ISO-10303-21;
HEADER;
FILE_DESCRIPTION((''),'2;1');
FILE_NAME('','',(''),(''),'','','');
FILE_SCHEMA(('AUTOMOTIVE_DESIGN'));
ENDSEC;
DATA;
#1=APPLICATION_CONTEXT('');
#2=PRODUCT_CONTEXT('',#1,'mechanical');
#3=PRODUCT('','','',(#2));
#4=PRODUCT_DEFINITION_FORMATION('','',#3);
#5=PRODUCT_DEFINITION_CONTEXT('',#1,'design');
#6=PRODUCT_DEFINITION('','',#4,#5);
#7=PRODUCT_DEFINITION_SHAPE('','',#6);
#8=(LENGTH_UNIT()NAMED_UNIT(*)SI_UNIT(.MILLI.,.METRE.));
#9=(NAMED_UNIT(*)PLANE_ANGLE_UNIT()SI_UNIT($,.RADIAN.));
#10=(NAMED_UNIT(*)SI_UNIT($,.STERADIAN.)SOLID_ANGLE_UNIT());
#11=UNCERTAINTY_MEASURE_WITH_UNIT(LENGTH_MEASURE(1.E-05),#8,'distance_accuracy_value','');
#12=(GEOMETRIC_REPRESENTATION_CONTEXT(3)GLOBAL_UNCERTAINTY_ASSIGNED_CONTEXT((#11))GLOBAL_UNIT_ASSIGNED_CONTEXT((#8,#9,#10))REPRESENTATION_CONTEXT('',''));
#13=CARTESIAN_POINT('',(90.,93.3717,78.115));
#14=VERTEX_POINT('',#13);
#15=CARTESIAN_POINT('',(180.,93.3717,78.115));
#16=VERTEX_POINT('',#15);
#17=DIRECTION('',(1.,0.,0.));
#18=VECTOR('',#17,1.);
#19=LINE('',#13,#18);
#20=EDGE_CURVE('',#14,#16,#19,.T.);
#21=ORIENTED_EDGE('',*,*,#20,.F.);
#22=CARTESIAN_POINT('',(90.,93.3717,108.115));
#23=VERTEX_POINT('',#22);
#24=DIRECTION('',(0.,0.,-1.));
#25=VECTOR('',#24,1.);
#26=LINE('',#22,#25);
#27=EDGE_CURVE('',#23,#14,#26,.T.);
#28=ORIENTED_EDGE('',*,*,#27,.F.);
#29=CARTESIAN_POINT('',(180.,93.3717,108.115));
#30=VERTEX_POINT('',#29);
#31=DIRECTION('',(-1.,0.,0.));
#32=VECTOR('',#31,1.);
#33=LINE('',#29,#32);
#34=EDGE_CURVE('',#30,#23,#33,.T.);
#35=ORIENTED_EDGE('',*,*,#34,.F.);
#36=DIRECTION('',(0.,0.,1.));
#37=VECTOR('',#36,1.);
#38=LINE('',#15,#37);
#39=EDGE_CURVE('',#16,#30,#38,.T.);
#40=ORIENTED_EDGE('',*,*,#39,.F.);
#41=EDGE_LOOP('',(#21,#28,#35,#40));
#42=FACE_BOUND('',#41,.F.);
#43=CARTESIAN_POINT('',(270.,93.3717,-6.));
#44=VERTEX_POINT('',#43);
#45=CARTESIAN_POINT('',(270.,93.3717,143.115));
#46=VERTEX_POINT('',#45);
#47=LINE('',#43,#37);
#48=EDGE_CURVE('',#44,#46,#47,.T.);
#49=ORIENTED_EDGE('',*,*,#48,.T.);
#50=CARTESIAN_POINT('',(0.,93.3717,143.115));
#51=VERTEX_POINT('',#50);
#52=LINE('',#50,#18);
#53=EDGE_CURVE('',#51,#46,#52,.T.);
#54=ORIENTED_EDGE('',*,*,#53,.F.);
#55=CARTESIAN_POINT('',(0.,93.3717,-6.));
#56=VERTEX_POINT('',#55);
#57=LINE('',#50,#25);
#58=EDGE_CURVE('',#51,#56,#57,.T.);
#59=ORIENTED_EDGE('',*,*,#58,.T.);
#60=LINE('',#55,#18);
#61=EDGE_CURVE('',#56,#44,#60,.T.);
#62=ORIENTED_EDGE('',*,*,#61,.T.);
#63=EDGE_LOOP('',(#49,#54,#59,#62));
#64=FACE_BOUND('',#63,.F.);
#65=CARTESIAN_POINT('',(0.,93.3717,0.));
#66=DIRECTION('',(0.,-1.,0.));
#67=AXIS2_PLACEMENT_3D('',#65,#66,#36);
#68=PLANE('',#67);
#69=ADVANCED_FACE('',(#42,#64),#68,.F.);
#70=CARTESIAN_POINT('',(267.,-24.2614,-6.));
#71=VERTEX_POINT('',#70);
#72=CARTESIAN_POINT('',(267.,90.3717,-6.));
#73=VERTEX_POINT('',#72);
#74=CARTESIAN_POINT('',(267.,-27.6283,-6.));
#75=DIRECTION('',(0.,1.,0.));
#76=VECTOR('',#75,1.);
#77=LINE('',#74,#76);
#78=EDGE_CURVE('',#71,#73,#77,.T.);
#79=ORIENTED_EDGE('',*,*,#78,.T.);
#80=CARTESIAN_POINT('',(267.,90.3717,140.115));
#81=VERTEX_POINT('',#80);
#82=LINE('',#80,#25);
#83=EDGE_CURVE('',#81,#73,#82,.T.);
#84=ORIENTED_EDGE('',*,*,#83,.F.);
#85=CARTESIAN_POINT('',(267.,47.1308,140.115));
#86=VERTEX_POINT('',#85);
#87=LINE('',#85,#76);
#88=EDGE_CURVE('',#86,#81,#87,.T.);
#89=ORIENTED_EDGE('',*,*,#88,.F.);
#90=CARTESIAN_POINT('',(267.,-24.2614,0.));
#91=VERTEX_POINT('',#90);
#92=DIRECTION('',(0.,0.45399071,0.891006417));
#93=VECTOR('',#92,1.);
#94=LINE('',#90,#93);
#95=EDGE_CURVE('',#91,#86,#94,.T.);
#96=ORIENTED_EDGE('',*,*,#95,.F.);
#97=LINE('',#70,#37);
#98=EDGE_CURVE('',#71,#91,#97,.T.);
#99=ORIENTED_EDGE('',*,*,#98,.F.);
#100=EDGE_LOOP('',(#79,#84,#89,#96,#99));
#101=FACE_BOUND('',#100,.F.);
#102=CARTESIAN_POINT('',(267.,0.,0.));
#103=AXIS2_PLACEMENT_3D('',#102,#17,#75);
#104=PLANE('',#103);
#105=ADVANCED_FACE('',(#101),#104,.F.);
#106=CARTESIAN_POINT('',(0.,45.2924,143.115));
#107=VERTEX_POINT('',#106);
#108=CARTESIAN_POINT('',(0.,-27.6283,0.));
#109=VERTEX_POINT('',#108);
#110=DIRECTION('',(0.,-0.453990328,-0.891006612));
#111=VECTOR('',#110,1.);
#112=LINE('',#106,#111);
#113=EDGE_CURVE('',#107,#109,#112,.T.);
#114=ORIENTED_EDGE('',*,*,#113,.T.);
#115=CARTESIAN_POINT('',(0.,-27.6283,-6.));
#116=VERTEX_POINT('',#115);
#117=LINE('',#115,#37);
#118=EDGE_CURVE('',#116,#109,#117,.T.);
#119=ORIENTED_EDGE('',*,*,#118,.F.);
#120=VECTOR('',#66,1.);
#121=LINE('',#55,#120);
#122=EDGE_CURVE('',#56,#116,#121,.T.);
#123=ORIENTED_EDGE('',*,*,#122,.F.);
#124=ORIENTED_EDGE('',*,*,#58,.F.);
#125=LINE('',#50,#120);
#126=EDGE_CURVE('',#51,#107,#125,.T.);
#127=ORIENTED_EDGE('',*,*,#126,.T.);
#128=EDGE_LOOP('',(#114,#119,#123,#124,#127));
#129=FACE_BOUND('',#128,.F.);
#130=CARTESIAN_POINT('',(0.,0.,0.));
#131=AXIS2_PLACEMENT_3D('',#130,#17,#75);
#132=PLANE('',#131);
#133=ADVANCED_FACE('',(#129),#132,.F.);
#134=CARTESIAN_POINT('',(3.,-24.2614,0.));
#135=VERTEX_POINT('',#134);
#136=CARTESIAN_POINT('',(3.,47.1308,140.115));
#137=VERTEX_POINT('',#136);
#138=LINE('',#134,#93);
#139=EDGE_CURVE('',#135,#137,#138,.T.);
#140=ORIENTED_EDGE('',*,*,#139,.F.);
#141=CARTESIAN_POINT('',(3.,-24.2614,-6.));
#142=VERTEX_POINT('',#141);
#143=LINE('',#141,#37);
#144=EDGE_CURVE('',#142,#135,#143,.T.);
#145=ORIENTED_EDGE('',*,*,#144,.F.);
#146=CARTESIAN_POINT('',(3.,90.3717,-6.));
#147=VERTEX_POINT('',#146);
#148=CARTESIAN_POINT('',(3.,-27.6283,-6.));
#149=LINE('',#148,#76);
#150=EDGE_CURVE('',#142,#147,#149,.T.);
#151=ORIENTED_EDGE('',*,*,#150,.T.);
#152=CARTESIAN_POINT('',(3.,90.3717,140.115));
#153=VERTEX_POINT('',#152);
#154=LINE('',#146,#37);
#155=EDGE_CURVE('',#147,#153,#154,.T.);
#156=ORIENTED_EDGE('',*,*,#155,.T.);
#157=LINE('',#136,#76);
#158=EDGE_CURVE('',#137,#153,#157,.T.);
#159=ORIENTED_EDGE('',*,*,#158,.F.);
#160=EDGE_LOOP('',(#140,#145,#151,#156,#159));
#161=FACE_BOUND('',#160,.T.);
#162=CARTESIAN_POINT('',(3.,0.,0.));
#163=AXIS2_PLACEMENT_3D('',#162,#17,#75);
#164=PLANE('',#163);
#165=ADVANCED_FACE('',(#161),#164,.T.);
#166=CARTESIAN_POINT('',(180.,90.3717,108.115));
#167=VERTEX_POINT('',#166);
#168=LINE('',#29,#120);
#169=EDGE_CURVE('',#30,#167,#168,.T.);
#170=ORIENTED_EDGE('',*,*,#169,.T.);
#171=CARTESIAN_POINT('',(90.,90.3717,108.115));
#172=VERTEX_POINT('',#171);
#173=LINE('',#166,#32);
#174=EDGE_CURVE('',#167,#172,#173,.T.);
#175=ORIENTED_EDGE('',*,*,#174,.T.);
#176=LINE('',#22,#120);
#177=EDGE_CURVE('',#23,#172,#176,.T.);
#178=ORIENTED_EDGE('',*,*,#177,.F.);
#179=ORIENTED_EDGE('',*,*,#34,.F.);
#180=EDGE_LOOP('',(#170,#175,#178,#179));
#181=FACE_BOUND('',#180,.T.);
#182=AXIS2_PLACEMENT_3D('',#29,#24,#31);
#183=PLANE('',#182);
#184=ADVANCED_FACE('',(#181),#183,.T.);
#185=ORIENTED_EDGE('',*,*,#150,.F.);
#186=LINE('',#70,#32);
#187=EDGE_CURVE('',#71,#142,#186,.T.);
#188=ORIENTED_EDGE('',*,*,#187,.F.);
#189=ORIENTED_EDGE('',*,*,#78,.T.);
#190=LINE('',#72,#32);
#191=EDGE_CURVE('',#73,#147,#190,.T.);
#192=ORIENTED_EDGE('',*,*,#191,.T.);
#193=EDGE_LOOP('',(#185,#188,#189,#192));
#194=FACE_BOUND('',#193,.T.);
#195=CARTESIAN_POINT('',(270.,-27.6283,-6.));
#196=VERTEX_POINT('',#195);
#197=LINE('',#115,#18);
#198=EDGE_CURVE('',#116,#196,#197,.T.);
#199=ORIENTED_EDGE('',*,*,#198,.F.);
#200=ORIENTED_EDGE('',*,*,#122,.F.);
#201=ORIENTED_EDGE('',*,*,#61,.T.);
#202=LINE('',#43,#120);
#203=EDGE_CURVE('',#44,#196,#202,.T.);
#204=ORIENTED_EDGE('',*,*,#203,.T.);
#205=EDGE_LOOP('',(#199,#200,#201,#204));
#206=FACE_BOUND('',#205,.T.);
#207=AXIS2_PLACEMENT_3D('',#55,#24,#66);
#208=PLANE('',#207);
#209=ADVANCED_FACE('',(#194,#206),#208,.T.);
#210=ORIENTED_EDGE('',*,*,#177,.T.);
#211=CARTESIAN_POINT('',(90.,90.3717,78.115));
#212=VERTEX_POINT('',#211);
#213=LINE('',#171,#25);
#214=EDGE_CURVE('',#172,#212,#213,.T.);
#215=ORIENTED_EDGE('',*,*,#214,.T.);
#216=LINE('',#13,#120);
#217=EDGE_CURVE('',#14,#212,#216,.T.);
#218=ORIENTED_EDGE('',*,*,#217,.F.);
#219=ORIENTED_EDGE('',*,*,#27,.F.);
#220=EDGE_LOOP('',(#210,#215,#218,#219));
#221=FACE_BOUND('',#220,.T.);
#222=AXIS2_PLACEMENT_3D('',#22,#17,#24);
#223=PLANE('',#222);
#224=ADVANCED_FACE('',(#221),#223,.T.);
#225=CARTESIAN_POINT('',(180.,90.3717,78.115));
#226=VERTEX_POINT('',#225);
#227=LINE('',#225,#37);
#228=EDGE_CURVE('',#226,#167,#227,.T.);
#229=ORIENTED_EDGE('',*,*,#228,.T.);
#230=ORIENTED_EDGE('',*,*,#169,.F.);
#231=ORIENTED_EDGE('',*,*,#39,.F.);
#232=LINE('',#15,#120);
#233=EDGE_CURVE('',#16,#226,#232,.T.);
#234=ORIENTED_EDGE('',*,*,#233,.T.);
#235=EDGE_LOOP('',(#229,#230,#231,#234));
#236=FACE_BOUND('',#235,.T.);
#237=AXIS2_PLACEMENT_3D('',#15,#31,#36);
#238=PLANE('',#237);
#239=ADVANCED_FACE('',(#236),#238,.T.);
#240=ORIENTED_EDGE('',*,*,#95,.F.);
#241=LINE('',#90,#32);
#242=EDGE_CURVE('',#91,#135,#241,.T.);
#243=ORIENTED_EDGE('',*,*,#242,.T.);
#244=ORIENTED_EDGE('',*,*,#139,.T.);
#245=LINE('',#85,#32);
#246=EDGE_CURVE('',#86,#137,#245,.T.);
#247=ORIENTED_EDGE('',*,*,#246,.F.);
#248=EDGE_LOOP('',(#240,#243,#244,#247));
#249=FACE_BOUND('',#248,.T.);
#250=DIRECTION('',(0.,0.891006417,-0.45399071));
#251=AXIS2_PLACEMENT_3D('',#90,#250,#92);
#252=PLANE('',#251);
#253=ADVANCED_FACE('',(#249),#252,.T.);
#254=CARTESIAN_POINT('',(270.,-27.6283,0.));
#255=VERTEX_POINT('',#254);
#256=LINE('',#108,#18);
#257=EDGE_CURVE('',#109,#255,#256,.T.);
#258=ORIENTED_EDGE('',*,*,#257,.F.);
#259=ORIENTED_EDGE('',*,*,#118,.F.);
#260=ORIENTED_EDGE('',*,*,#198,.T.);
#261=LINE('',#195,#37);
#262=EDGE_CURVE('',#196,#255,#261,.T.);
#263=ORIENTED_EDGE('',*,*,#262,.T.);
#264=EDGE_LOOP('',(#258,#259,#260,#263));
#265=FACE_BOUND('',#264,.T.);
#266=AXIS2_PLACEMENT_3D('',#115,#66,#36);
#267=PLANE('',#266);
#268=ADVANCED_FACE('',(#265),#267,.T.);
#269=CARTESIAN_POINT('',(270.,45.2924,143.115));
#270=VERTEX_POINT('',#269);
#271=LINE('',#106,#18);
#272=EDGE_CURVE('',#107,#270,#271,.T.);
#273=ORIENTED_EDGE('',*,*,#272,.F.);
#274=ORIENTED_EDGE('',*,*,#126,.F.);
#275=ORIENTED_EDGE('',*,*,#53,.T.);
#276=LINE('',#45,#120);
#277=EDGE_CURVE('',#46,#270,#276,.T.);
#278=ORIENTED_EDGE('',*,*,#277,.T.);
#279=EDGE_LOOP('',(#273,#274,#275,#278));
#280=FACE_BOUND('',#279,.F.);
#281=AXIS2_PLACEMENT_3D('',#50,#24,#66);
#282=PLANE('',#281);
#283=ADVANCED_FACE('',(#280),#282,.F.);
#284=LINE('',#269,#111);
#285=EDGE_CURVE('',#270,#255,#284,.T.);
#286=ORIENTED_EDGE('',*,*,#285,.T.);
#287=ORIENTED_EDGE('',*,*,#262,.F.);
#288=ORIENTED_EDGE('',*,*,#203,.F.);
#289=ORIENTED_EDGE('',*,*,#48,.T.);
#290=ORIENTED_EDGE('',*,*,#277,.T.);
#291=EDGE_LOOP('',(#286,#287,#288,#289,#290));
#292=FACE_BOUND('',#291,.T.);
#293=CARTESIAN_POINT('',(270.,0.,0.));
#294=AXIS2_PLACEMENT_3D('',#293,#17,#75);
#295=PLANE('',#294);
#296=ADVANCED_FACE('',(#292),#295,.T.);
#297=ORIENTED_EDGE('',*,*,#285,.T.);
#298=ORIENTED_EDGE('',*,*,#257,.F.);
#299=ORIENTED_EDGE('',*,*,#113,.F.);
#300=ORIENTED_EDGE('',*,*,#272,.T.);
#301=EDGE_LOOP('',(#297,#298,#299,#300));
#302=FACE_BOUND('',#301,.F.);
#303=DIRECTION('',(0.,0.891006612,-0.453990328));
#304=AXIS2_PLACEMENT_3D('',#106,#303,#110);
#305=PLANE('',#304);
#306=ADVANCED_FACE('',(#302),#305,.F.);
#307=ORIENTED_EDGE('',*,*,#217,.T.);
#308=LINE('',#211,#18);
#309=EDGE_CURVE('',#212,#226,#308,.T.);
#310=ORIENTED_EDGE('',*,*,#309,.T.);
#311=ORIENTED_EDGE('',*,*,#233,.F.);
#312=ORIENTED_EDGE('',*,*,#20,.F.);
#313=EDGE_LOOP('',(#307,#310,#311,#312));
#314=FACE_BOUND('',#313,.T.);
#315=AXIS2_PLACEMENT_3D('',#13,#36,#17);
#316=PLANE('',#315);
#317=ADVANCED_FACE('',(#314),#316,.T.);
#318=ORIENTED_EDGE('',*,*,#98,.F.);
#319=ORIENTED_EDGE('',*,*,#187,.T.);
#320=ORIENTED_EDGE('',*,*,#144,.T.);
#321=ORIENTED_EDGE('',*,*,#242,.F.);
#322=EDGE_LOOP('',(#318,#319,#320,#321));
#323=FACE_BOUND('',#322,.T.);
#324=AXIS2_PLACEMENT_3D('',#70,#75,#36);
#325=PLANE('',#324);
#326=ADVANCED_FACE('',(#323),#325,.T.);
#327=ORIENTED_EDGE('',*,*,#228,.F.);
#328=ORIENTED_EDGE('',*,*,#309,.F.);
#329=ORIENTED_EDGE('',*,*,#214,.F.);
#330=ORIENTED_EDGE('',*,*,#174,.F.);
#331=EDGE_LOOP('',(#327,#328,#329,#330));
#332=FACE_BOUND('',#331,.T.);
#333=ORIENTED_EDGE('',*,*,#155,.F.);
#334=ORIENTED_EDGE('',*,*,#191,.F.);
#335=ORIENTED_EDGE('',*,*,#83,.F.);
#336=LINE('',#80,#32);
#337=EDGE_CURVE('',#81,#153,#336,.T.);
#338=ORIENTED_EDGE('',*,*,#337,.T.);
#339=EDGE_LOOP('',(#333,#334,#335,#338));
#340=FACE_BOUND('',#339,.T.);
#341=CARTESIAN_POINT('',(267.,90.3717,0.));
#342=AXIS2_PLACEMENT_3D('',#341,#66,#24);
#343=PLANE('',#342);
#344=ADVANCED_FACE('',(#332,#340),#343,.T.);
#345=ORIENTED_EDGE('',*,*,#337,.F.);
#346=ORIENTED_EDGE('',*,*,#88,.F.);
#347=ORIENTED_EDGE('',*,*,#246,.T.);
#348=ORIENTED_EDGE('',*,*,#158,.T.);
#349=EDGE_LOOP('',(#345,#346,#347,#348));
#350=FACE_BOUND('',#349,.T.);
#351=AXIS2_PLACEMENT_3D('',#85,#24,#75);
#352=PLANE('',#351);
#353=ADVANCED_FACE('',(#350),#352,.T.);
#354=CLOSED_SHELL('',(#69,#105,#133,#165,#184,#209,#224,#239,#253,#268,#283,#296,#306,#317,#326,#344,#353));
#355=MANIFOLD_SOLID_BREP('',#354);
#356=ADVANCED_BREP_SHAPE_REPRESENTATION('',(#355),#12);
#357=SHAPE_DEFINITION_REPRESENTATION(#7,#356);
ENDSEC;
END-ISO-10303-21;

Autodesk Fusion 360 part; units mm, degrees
sketch "Unsorted Smarties Holder" plane through (0, 0, 0) normal (1, 0, 0) x (0, 1, 0)
  line L0 (0, 0) -> (93.3717, 0)
  line L1 (93.3717, 0) -> (93.3717, 143.115)
  line L2 (93.3717, 143.115) -> (45.2924, 143.115)
  line L3 (45.2924, 143.115) -> (-27.6283, 0)
  line L4 (-27.6283, 0) -> (0, 0)
  line L5 (-27.6283, 0) -> (93.3717, 0)
  line L6 (93.3717, 0) -> (93.3717, -6)
  line L7 (93.3717, -6) -> (-27.6283, -6)
  line L8 (-27.6283, -6) -> (-27.6283, 0)
  dimension "d5" = 143.115
  dimension "d14" = 63
  dimension "d23" = 121
  dimension "d31" = 6
extrude "Extrude1" add sketch "Unsorted Smarties Holder" along normal blind 270
sketch "Sketch3" plane through (270, 0, 0) normal (1, 0, 0) x (0, 1, 0)
  line L0 (93.3717, -6) -> (93.3717, 143.115)
  line L1 (93.3717, 143.115) -> (45.2924, 143.115)
  line L2 (45.2924, 143.115) -> (-27.6283, 0)
  line L3 (90.3717, 140.115) -> (90.3717, 0)
  line L4 (90.3717, 0) -> (-24.2614, 0)
  line L5 (-24.2614, 0) -> (47.1308, 140.115)
  line L6 (47.1308, 140.115) -> (90.3717, 140.115)
  line L7 (-27.6283, 0) -> (-27.6283, -6)
  line L8 (-27.6283, -6) -> (93.3717, -6)
  line L9 (-24.2614, 0) -> (90.3717, 0)
  line L10 (90.3717, 0) -> (90.3717, -6)
  line L11 (90.3717, -6) -> (-24.2614, -6)
  line L12 (-24.2614, -6) -> (-24.2614, 0)
  dimension "d15" = 3
  dimension "d16" = 3
  dimension "d17" = 3
  dimension "d18" = 3
  dimension "d32" = 6
  dimension "d33" = 6
extrude "Extrude3" cut sketch "Sketch3" against normal blind 264 from surface at -3 contours L4 L8 L9 L10 L11 L12 | L3 L4 L5 L6 L9
sketch "Smarties Feed" plane through (0, 93.3717, 0) normal (0, 1, 0) x (-1, 0, 0)
  line L0 (0, -6) -> (0, 143.115)
  line L1 (0, 143.115) -> (-270, 143.115)
  line L2 (-270, 143.115) -> (-270, -6)
  line L3 (-180, 108.115) -> (-90, 108.115)
  line L4 (-90, 108.115) -> (-90, 78.115)
  line L5 (-90, 78.115) -> (-180, 78.115)
  line L6 (-180, 78.115) -> (-180, 108.115)
  line L7 (-270, -6) -> (0, -6)
  dimension "d24" = 30
  dimension "d25" = 90
  dimension "d26" = 90
  dimension "d27" = 90
  dimension "d28" = 35
extrude "Extrude4" cut sketch "Smarties Feed" against normal blind 3 contours L3 L4 L5 L6
equation "polycarbonateThickness = 3 mm" comment "Thickness of the polycarbonate panels"
equation "d14 = 180 deg - 117 deg"
equation "d15 = polycarbonateThickness"
equation "d16 = polycarbonateThickness"
equation "d17 = polycarbonateThickness"
equation "d18 = polycarbonateThickness"
equation "d20 = -polycarbonateThickness"
equation "d21 = -( 270 mm - 2 * polycarbonateThickness )"
equation "d28 = 41 mm - 6 mm"
equation "d29 = -polycarbonateThickness"
